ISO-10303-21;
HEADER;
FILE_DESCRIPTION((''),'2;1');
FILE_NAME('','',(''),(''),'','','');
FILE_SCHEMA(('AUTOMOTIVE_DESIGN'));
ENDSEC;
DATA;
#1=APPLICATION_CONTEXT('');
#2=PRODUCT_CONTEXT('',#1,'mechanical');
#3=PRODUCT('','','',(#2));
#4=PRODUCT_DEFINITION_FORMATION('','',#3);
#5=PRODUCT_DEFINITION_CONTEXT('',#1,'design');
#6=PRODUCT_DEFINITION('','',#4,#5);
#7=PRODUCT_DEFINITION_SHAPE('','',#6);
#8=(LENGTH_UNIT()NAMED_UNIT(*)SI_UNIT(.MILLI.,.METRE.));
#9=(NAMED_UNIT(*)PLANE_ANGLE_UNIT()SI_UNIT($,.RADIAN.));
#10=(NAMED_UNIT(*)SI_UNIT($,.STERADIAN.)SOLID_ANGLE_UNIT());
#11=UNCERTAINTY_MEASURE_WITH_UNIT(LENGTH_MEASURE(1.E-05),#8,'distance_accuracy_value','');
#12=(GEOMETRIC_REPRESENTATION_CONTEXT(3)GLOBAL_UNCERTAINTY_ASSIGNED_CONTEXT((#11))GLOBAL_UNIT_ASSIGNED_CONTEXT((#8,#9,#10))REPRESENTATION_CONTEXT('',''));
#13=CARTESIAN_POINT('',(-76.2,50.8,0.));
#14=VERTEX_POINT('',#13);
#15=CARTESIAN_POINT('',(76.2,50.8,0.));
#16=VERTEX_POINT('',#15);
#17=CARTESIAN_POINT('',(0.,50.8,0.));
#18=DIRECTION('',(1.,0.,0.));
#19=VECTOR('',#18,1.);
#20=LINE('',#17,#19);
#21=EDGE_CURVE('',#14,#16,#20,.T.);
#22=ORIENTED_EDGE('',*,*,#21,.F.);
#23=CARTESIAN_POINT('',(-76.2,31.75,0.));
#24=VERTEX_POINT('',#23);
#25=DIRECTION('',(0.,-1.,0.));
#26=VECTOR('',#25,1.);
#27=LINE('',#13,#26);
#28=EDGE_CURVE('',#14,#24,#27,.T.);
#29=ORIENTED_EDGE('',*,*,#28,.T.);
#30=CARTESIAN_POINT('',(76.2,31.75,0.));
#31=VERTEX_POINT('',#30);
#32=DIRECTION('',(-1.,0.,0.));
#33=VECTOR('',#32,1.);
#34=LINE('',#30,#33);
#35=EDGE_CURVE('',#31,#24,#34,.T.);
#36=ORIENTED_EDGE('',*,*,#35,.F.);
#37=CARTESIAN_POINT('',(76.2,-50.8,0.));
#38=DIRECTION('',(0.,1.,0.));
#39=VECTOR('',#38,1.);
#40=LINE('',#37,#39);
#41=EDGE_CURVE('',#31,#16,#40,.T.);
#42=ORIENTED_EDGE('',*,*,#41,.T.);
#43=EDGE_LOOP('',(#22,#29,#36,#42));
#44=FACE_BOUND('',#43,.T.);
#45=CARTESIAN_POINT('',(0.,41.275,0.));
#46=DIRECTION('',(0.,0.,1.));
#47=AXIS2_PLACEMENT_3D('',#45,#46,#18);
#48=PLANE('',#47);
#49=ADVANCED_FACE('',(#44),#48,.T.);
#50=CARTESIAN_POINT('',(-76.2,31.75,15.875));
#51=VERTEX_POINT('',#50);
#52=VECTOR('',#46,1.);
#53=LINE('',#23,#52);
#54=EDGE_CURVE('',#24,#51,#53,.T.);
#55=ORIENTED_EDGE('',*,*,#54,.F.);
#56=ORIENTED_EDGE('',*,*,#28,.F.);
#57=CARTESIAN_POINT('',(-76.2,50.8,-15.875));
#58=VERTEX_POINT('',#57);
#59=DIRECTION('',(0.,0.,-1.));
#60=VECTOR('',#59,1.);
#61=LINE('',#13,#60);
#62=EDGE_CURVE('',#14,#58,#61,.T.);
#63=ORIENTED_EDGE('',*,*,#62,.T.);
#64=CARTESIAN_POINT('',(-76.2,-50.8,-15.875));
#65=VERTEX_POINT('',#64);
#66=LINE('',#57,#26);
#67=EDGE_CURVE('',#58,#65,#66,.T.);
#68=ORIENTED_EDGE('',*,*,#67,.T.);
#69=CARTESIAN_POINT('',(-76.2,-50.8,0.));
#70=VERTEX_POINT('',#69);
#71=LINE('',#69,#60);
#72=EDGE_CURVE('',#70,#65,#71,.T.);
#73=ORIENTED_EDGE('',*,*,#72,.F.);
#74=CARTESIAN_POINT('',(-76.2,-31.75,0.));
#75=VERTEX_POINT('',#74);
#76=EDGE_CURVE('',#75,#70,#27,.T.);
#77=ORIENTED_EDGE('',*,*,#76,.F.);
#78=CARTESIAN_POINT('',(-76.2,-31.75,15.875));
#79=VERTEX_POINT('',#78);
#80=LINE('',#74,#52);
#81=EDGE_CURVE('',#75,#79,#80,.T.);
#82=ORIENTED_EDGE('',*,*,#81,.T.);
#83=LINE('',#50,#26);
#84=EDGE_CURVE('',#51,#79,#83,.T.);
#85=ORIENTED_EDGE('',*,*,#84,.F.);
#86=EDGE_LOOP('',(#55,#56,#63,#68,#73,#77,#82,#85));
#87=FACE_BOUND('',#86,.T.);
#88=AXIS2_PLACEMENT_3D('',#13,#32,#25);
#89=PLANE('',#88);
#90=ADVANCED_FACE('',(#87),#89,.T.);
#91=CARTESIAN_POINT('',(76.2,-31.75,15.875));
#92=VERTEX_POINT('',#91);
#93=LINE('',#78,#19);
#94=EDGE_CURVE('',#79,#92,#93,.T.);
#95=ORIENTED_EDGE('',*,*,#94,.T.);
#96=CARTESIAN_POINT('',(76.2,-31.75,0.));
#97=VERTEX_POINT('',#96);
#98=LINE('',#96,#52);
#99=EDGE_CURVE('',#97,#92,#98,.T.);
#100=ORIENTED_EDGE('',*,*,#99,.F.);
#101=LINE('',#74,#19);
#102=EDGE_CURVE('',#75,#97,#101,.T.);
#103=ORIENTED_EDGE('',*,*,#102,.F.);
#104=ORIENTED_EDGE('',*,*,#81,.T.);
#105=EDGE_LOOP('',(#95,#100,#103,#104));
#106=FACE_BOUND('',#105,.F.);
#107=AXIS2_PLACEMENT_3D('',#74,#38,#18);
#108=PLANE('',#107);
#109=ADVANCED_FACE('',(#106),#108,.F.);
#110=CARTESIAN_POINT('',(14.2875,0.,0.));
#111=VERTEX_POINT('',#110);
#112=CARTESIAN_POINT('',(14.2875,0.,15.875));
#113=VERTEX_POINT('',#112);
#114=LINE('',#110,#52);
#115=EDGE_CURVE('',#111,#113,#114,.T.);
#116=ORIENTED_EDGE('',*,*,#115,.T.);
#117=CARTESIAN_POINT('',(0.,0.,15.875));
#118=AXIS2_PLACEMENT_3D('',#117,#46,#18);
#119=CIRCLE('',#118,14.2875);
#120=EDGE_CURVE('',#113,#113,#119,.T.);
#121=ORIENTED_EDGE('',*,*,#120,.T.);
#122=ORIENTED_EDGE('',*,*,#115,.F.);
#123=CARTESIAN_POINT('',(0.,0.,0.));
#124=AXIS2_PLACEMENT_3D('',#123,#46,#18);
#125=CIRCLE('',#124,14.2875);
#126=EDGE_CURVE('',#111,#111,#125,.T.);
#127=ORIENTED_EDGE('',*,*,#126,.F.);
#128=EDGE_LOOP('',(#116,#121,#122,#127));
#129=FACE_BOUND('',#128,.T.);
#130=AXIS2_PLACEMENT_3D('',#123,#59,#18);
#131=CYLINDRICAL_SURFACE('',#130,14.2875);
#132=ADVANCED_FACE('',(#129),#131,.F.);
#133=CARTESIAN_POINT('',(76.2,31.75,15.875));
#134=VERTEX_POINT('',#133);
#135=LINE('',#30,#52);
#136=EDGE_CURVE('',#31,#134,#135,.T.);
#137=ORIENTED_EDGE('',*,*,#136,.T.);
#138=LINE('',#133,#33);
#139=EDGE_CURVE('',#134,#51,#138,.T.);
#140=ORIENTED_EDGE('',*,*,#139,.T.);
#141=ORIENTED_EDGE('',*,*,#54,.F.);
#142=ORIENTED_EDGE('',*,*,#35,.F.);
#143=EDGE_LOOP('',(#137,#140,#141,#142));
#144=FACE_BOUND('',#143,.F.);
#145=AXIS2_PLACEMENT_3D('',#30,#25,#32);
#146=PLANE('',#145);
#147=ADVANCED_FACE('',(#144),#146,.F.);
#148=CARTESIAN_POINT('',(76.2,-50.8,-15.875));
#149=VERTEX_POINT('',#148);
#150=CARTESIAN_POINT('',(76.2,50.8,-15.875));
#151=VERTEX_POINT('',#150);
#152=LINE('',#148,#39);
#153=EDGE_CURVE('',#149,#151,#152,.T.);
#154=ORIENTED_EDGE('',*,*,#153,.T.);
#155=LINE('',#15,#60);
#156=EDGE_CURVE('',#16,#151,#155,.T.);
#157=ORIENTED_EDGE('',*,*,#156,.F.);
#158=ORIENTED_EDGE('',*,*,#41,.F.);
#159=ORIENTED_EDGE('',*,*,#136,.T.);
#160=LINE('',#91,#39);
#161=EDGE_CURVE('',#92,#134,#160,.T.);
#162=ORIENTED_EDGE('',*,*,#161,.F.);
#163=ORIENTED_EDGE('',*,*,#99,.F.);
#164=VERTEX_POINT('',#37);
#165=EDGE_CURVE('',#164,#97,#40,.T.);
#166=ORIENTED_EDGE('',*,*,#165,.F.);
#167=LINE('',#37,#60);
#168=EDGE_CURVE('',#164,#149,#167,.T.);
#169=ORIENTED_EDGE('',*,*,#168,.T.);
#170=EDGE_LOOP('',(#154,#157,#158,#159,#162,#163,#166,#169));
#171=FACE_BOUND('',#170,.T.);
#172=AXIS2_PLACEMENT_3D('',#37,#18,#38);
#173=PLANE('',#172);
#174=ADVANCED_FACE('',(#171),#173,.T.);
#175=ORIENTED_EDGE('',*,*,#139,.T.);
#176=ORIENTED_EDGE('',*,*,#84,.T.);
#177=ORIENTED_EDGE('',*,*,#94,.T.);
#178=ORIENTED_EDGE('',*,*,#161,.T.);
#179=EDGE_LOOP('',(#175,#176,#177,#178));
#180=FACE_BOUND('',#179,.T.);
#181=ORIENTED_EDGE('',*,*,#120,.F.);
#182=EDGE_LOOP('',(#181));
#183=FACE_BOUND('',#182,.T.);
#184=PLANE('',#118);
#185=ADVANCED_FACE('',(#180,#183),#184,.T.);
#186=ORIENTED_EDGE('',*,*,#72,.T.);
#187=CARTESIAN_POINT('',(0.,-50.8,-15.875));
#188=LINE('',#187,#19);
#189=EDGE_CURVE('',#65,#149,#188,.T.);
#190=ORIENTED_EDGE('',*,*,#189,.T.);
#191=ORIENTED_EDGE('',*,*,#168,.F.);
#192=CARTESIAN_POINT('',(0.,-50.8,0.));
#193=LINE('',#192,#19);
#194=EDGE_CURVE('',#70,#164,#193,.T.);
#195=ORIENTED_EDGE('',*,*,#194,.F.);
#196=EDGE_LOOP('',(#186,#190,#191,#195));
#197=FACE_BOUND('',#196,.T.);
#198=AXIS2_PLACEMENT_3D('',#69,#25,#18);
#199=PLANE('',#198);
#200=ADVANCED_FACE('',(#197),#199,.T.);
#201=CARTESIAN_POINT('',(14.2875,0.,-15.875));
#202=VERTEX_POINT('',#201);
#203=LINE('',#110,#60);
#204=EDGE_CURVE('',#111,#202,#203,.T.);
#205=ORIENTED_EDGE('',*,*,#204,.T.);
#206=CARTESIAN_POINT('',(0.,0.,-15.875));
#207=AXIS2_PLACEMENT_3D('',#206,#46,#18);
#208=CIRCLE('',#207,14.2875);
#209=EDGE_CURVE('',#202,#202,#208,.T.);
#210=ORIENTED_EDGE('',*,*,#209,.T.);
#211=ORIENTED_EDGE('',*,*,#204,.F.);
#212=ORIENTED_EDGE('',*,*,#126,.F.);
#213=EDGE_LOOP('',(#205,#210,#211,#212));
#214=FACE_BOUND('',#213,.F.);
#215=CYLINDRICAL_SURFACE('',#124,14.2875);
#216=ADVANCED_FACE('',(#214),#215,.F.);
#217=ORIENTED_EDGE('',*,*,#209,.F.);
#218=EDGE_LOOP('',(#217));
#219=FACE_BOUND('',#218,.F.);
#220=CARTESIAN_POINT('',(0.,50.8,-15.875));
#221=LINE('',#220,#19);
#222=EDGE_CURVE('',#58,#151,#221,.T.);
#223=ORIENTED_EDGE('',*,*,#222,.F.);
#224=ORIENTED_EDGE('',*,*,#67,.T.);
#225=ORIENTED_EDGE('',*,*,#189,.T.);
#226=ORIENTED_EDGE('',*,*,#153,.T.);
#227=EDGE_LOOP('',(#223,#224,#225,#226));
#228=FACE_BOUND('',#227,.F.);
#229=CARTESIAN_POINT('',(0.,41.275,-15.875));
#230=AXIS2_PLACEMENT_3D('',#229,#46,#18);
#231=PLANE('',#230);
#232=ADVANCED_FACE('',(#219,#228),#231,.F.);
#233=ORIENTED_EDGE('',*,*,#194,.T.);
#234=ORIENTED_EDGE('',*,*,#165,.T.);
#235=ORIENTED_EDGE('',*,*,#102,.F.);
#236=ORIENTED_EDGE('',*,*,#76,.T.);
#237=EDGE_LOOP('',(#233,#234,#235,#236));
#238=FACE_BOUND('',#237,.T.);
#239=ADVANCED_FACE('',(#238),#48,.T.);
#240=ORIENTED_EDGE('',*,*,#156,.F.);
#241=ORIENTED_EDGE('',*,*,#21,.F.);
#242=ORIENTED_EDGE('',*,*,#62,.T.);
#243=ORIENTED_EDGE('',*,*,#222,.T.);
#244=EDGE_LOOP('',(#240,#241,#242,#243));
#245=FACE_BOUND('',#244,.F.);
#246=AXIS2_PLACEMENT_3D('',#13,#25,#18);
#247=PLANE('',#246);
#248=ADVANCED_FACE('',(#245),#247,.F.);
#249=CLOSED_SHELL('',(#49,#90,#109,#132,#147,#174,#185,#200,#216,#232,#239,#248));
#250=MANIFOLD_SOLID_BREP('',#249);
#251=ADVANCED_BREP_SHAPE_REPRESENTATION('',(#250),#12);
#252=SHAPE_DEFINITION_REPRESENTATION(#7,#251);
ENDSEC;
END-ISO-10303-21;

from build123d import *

# Parameters (mm, degrees)
F0_R     = 14.2875
F1_DEPTH = 15.875
F0_W     = 152.4
F0_H     = 19.05
F2_DEPTH = 15.875


with BuildPart() as f1:
    # F0 (on Top) → F1 (new body)
    with BuildSketch(Plane.XY):
        Polygon((76.2, 31.75), (-76.2, 31.75), (-76.2, -31.75), (76.2, -31.75), (76.2, 0), align=None)
        Circle(F0_R, mode=Mode.SUBTRACT)
    extrude(amount=F1_DEPTH)

    # F0 (on Top) → F2 (join)
    with BuildSketch(Plane.XY):
        with Locations((0, 41.275)):
            Rectangle(F0_W, F0_H)
        Polygon((76.2, 31.75), (-76.2, 31.75), (-76.2, -31.75), (76.2, -31.75), (76.2, 0), align=None)
        Circle(F0_R, mode=Mode.SUBTRACT)
        with Locations((0, -41.275)):
            Rectangle(F0_W, F0_H)
    extrude(amount=-F2_DEPTH)


solid = f1.part
